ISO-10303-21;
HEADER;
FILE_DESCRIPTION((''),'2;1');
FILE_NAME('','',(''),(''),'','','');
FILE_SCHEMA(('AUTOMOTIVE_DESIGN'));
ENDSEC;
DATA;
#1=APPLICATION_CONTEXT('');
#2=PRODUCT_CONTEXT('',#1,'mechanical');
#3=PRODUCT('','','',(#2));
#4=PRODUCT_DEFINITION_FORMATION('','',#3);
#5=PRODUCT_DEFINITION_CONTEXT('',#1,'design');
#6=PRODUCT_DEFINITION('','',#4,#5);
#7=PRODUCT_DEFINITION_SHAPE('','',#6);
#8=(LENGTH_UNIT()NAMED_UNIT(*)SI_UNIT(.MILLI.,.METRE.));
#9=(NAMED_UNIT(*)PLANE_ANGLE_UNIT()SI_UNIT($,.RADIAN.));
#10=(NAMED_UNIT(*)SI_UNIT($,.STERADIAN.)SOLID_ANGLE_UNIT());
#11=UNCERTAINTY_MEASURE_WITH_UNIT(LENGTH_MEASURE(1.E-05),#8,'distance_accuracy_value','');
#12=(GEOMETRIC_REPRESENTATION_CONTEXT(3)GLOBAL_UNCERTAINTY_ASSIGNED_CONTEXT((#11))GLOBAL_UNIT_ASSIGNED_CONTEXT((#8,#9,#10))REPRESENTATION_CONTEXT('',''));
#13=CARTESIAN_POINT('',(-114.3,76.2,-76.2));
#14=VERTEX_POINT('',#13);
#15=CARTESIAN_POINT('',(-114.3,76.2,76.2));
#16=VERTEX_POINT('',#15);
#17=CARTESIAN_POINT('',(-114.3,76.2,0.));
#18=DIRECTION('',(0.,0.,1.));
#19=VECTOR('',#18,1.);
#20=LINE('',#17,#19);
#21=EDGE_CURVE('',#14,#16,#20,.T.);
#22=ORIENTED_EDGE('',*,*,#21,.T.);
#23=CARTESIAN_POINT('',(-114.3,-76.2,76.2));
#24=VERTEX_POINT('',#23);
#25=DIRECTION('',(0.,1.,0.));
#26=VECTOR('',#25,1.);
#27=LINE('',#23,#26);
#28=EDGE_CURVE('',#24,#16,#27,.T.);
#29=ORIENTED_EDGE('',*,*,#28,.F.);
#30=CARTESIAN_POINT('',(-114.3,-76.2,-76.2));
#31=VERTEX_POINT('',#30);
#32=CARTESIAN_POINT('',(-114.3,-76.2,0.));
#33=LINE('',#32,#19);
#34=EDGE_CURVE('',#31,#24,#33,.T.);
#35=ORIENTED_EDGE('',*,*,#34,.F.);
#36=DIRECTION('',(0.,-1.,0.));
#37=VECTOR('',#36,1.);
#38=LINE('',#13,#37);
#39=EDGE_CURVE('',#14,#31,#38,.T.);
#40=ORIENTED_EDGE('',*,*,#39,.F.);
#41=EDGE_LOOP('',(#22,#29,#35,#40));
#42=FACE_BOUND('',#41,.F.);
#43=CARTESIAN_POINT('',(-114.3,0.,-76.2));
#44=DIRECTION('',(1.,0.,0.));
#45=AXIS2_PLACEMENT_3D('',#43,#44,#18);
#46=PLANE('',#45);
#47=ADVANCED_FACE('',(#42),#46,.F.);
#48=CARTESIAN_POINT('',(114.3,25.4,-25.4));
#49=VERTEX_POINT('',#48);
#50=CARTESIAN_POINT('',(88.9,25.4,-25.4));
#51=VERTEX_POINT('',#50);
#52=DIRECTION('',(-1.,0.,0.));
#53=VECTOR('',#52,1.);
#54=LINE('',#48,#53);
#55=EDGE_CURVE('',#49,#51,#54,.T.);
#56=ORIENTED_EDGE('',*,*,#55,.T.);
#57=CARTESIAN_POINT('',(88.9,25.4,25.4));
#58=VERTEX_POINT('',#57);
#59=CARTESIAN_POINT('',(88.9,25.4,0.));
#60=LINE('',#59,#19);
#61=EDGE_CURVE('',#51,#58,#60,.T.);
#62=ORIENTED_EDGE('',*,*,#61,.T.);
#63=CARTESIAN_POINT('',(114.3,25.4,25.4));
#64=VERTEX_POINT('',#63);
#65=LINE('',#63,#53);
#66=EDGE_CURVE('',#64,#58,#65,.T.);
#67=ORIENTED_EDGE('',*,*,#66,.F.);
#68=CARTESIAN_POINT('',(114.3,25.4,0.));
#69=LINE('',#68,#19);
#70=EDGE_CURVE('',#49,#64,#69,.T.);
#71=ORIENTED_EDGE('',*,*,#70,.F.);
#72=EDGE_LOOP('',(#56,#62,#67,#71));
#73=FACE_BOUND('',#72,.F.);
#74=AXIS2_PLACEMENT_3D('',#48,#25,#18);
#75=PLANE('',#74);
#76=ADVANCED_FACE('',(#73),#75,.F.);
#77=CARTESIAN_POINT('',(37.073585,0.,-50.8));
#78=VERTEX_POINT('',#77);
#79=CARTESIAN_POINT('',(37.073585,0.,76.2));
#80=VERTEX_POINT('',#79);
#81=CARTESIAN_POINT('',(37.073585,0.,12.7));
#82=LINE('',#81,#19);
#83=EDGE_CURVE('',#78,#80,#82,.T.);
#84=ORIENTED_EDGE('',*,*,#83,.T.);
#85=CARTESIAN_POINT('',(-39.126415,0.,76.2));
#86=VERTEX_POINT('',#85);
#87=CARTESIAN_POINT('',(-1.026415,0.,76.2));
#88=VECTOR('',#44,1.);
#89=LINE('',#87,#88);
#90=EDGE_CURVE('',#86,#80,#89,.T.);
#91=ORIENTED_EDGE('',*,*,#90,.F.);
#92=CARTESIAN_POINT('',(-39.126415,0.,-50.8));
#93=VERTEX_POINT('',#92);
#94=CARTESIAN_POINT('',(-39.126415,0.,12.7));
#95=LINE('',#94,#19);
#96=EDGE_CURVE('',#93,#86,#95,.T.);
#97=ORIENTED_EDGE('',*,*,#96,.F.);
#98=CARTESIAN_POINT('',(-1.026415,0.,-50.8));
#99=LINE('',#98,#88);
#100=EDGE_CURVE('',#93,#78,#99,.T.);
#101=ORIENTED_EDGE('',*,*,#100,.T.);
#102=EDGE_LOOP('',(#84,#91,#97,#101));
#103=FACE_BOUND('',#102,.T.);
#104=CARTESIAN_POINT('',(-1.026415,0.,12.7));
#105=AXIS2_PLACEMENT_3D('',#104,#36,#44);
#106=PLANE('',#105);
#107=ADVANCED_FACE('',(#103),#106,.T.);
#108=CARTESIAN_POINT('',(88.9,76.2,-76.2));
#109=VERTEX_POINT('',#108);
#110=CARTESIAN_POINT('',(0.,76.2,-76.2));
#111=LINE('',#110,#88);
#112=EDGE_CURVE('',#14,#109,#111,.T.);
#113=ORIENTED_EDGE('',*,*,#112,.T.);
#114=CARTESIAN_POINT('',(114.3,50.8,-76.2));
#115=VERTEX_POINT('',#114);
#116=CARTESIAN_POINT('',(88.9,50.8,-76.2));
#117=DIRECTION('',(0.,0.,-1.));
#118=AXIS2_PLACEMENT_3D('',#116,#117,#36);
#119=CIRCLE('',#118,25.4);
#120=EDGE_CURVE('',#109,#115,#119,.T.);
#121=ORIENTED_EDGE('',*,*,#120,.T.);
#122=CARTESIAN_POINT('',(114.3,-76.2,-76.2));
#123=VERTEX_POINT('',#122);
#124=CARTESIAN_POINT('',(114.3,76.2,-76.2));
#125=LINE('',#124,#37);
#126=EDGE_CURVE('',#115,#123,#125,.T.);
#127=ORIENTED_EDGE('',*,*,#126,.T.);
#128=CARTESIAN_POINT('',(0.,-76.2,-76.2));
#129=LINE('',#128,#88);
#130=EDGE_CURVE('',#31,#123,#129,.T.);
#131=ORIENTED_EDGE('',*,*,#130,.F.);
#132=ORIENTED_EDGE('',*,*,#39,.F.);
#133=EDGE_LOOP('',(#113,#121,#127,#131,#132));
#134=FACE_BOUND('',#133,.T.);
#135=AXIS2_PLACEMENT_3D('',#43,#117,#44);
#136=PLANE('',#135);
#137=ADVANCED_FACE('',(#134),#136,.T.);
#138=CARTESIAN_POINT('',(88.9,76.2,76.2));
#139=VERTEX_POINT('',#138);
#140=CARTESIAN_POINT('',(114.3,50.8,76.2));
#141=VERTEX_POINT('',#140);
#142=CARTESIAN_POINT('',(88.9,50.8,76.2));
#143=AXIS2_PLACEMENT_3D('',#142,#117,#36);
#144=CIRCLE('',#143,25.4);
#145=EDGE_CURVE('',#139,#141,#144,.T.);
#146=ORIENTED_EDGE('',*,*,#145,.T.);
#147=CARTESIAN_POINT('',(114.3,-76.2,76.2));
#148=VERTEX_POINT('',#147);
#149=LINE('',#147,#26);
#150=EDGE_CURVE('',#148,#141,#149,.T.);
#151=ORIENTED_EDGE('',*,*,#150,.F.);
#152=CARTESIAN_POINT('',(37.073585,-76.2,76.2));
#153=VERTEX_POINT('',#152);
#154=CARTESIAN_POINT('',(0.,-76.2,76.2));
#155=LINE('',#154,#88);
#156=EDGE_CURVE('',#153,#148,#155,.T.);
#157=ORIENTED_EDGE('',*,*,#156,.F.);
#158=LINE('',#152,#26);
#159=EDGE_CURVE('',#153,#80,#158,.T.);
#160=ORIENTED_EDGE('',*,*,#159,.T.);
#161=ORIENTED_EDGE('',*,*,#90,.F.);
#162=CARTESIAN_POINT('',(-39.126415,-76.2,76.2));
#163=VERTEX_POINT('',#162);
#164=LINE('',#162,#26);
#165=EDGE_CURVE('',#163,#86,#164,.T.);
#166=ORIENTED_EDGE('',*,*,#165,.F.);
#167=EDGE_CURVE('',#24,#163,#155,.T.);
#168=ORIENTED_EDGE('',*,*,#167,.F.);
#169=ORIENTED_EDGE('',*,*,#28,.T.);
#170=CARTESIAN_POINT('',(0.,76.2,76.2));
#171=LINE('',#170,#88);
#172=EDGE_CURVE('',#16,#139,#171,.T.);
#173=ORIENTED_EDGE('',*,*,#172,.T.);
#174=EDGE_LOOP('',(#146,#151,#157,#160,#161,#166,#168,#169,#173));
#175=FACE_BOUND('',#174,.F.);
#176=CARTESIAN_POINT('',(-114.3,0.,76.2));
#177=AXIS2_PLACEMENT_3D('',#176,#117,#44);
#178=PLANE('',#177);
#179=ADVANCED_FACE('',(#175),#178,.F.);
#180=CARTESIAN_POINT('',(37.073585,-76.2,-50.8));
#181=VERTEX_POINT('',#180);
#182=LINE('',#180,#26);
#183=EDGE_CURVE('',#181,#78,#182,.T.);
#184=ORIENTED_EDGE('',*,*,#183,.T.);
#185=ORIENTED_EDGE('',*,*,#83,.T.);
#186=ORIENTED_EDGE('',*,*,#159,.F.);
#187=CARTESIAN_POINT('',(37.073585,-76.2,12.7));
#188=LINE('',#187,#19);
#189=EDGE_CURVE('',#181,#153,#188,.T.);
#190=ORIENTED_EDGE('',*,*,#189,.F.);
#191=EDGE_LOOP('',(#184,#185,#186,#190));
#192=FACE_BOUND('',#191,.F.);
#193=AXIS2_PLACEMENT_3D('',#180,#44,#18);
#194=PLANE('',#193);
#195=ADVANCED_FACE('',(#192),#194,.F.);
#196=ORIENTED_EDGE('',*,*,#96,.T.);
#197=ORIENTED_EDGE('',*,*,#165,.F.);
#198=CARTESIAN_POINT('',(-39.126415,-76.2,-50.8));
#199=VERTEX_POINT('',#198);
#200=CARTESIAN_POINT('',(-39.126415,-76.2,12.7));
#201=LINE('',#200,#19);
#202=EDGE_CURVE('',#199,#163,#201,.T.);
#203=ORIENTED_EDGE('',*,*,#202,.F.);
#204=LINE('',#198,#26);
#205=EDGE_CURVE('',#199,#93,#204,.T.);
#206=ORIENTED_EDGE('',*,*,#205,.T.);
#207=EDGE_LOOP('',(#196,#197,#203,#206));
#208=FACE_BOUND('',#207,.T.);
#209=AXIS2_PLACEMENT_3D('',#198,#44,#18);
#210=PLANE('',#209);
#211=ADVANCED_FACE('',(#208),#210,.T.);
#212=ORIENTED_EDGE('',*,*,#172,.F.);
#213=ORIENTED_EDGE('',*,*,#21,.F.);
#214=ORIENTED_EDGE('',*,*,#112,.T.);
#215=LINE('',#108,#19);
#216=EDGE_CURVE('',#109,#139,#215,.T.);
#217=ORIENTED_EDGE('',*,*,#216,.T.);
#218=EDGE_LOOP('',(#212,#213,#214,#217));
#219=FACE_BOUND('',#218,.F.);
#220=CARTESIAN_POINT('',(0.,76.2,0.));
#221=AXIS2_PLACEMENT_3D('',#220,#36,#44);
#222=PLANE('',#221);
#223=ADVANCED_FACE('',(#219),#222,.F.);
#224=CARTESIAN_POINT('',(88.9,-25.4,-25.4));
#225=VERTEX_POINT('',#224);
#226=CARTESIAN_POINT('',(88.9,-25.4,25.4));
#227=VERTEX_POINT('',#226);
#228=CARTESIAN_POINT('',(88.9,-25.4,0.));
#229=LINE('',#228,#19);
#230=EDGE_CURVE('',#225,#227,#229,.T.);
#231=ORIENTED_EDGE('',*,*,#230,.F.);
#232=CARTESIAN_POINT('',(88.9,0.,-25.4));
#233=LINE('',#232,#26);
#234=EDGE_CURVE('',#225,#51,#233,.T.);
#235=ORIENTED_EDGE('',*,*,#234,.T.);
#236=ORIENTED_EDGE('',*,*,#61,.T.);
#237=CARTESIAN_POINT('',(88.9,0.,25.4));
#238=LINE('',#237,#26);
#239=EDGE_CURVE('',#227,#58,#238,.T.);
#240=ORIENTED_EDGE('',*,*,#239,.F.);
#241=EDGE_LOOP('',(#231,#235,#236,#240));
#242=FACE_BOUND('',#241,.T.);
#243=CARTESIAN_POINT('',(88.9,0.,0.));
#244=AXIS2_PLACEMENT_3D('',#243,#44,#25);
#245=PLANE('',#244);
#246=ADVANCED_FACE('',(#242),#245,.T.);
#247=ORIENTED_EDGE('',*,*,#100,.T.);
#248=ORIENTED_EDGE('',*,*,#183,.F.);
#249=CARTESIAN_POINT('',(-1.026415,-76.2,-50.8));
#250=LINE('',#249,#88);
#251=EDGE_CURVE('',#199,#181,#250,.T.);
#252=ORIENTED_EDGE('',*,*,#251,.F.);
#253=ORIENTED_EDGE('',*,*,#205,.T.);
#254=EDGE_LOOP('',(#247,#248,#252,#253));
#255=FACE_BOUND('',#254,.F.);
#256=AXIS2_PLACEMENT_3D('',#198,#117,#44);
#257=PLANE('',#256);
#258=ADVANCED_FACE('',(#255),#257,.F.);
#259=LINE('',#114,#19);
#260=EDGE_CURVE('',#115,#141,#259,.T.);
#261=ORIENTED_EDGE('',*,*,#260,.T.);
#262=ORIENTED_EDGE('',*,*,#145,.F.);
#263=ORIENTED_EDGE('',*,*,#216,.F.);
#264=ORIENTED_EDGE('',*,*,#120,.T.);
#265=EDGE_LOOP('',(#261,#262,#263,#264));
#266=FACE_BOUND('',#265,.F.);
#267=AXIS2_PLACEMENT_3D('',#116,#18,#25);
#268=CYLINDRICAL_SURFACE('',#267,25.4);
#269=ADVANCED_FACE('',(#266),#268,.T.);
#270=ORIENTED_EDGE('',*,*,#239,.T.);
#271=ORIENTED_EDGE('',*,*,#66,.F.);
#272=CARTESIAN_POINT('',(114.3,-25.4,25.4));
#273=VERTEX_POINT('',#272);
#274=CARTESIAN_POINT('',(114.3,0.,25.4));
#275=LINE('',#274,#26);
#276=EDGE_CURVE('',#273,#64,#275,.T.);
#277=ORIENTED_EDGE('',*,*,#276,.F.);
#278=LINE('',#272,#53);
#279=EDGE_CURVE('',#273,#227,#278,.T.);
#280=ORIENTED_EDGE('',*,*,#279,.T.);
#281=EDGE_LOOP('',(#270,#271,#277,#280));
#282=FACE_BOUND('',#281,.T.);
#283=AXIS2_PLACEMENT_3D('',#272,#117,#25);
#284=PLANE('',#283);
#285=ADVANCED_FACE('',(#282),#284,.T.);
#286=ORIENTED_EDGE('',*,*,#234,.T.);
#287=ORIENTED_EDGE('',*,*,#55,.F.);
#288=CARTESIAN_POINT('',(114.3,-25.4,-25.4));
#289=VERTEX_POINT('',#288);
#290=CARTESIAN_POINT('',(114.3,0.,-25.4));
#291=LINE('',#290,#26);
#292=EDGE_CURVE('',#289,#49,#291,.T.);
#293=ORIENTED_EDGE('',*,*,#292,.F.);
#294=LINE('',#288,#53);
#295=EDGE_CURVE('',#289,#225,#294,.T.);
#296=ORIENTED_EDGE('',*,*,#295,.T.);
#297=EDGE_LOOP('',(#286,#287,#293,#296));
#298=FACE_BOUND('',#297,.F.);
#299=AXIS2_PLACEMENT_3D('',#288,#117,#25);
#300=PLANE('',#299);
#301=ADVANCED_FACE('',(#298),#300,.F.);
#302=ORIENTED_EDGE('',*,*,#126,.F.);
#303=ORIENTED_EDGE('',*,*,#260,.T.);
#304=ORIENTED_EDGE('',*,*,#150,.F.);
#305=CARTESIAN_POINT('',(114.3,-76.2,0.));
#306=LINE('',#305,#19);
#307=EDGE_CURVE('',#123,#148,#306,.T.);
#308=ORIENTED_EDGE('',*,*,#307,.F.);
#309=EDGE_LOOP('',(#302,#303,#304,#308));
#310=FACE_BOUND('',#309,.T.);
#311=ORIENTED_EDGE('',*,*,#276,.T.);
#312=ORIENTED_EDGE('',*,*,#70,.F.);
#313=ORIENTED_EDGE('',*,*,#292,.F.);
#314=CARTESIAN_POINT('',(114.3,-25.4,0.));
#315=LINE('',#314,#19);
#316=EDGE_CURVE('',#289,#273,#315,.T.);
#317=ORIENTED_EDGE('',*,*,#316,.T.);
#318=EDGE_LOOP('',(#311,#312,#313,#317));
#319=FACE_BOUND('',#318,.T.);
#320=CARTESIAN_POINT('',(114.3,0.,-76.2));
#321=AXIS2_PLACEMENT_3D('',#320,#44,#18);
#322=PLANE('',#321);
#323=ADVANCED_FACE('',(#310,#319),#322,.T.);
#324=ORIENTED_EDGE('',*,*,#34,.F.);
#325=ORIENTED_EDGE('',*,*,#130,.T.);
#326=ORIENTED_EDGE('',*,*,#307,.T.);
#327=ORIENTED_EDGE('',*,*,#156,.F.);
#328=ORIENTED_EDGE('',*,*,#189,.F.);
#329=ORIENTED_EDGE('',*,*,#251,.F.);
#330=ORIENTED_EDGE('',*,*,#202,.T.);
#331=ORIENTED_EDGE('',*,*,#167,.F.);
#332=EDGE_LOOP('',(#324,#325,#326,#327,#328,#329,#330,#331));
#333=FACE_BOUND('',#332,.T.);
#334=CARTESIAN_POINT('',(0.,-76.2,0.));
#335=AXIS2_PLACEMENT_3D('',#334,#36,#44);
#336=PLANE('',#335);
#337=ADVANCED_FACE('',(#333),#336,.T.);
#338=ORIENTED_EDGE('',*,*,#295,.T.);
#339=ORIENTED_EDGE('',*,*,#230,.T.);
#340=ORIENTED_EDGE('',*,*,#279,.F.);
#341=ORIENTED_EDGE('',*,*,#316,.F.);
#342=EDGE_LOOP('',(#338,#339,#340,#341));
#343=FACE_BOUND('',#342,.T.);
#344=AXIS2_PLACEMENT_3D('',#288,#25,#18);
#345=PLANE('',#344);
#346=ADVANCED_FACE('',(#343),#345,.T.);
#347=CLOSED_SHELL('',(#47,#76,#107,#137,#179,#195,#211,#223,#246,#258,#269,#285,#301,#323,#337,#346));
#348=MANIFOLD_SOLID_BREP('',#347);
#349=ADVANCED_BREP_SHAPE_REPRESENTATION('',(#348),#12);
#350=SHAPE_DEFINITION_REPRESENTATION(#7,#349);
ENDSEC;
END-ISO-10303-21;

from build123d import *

# Parameters (mm, degrees)
F0_W     = 228.6
F0_H     = 152.4
F1_DEPTH = 76.2
F2_W     = 76.2
F2_H     = 127
F3_DEPTH = 76.2
F4_R     = 25.4
F5_W     = 50.8
F5_H     = 50.8
F6_DEPTH = 25.4


with BuildPart() as f1:
    # F0 (on Front) → F1 (new body, symmetric)
    with BuildSketch(Plane.XZ):
        Rectangle(F0_W, F0_H)
    extrude(amount=F1_DEPTH, both=True)

    # F2 (on face) → F3 (cut)
    with BuildSketch(Plane.XZ.offset(76.2)):
        with Locations((-1.026415, 12.7)):
            Rectangle(F2_W, F2_H)
    extrude(amount=-F3_DEPTH, mode=Mode.SUBTRACT)

    # F4
    f4_edges = [f1.edges().sort_by_distance(p)[0] for p in [
        (114.3, 76.2, 0),
    ]]
    fillet(f4_edges, radius=F4_R)

    # F5 (on face) → F6 (cut)
    with BuildSketch(Plane.YZ.offset(114.3)):
        Rectangle(F5_W, F5_H)
    extrude(amount=-F6_DEPTH, mode=Mode.SUBTRACT)


solid = f1.part
